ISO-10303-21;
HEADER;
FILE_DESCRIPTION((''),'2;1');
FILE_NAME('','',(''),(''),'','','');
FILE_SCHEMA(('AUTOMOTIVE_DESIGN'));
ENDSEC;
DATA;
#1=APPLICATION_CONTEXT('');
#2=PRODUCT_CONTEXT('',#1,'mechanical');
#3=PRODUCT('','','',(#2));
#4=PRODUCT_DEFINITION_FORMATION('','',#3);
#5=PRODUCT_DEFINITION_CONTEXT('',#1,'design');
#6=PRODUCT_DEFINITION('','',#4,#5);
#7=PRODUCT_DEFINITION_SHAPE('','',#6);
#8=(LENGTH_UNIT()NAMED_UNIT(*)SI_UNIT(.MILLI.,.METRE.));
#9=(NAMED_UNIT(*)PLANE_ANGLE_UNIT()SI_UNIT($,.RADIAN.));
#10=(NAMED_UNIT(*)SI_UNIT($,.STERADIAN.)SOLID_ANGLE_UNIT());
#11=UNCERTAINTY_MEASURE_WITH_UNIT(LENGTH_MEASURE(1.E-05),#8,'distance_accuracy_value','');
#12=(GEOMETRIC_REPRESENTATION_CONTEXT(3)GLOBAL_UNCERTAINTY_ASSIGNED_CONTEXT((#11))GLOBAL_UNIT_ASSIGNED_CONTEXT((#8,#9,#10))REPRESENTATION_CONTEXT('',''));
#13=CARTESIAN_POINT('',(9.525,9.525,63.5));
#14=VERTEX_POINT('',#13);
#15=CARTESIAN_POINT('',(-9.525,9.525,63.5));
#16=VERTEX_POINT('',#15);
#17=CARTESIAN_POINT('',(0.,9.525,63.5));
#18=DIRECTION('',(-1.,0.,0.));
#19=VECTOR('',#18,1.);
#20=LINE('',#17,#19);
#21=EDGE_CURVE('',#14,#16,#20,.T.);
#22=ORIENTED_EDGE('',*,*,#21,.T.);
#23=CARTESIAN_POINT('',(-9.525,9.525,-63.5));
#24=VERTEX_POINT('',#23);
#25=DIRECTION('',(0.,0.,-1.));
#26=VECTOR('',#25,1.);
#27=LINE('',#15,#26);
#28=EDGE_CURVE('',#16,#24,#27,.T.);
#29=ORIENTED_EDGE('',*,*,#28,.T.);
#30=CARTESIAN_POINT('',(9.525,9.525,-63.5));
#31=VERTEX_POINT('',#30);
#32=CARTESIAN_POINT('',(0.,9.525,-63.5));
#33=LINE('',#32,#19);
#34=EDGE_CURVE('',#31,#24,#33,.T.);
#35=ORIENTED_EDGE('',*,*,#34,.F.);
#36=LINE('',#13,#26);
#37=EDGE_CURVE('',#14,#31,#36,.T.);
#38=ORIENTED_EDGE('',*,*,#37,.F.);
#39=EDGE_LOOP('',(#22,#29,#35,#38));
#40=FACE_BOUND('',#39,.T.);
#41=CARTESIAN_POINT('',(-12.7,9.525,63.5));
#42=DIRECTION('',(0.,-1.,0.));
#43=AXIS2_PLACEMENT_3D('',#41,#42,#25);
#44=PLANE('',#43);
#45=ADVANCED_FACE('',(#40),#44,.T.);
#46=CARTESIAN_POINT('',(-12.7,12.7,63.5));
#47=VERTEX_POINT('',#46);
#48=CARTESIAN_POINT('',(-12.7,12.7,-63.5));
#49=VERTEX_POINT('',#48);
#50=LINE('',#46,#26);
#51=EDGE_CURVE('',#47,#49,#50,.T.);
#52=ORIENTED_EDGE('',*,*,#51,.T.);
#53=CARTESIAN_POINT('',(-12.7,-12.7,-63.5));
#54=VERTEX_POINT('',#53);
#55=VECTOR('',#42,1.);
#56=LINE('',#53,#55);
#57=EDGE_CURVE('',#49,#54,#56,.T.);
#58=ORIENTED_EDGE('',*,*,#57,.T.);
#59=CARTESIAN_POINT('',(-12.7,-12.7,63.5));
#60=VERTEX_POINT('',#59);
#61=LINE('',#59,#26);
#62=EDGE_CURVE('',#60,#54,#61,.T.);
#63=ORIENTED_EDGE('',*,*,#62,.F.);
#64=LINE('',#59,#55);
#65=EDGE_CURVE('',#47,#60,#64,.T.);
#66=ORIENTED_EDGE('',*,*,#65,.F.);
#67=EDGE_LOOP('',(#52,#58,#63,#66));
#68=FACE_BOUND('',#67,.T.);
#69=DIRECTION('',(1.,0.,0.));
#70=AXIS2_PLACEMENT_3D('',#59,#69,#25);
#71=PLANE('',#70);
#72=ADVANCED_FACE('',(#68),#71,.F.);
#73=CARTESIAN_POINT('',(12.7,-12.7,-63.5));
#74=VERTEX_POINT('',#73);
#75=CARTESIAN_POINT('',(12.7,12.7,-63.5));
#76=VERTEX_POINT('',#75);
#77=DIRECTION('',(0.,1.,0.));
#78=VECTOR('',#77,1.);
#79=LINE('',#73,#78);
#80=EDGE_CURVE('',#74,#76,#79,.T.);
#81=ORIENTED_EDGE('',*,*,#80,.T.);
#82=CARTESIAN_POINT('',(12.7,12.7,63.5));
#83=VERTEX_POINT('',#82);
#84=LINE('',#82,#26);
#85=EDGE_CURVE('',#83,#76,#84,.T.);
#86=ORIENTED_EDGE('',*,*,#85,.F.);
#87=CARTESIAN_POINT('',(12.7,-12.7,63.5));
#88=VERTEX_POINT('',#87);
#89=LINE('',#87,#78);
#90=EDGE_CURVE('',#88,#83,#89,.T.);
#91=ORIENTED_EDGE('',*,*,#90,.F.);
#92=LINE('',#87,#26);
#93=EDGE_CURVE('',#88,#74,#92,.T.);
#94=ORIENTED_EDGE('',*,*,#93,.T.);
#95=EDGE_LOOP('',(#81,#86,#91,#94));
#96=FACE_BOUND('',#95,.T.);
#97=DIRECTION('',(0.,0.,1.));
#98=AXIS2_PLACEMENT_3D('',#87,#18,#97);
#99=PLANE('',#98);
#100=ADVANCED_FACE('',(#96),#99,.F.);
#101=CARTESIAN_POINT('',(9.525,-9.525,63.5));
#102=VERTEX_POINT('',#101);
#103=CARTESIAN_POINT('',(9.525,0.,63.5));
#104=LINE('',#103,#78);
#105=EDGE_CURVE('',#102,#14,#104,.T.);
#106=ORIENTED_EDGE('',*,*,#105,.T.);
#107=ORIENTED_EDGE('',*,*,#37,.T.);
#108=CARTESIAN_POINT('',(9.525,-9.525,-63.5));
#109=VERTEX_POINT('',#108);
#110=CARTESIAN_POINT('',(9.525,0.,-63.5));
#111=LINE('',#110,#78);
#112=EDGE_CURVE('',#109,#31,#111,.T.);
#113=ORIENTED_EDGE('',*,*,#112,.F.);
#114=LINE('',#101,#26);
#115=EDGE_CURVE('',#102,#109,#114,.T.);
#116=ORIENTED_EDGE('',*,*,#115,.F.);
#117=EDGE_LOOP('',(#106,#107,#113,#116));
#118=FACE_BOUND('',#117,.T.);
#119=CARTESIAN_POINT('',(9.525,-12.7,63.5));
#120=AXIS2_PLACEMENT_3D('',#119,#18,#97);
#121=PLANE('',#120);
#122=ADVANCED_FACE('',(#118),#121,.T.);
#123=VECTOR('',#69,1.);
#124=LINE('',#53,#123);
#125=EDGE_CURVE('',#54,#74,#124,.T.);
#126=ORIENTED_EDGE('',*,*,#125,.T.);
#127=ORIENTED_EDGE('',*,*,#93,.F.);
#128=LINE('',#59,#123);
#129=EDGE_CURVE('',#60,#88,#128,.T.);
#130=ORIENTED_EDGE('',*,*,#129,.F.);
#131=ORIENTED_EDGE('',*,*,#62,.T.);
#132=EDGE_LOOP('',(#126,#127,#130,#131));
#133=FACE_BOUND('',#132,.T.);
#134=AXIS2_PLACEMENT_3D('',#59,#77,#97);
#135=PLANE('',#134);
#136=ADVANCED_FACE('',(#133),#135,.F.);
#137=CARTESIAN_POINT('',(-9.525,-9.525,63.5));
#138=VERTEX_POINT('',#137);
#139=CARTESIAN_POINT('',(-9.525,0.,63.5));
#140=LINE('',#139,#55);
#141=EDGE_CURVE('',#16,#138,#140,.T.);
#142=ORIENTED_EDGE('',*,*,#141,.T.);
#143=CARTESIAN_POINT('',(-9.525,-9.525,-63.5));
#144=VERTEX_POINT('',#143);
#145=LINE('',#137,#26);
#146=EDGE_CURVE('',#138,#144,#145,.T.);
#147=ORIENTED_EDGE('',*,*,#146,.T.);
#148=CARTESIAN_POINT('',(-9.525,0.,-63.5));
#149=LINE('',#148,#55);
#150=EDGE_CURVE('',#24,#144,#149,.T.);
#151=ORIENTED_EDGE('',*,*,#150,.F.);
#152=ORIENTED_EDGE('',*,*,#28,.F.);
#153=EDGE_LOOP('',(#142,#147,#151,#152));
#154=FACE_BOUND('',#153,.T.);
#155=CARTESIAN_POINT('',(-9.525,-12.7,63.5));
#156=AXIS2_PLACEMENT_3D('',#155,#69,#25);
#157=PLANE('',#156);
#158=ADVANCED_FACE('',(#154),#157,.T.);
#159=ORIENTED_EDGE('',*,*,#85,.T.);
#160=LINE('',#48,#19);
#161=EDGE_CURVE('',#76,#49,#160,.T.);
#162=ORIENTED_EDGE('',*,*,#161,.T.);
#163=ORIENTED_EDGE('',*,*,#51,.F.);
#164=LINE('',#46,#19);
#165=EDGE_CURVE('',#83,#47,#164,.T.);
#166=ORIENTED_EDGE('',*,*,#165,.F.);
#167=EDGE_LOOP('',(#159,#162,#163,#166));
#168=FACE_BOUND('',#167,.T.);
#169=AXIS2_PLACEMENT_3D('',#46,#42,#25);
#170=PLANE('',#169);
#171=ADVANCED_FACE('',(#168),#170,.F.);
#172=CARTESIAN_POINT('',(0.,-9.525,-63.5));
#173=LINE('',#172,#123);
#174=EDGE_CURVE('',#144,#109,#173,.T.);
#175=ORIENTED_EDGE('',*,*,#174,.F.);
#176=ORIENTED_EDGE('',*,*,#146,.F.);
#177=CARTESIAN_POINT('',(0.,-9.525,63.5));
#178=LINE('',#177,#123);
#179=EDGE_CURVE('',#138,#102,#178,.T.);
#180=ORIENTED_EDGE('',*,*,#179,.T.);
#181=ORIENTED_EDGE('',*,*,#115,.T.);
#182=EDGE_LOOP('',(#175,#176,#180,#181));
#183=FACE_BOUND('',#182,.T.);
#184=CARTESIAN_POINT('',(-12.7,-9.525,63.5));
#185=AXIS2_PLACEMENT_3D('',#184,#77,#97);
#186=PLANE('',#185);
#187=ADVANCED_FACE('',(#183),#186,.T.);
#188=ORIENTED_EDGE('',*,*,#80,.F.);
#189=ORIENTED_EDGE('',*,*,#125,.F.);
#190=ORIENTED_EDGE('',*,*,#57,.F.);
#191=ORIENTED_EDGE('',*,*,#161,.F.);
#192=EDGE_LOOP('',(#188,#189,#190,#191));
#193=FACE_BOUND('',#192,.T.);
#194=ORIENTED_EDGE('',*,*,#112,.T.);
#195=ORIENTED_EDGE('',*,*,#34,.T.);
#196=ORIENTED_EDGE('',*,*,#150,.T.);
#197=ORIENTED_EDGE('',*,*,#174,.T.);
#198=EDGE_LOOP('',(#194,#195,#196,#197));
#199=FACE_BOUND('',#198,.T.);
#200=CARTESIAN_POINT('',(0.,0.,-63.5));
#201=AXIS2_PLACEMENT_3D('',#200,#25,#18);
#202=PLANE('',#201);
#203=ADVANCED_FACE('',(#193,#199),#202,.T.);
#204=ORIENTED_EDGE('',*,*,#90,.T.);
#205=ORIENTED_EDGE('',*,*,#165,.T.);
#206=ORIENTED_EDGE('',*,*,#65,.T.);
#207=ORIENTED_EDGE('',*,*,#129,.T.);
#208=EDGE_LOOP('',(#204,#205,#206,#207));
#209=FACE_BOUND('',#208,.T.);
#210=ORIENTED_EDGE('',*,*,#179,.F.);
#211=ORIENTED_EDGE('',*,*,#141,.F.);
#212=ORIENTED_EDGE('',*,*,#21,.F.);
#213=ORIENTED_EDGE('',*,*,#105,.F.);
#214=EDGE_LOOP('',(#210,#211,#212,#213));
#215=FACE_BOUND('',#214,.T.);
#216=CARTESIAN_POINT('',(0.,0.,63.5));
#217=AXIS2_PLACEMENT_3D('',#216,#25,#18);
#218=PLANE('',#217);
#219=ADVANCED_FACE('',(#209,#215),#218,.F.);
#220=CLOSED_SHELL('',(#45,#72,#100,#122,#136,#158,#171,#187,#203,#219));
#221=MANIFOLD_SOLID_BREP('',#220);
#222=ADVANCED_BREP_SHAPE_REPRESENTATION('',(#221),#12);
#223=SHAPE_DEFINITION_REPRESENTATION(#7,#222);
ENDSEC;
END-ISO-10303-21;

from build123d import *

# Parameters (mm, degrees)
SKETCH1_W           = 25.4
SKETCH1_H           = 25.4
BOSS_EXTRUDE1_DEPTH = 63.5
SHELL1_T            = -3.175


with BuildPart() as part:
    # Sketch1 → Boss-Extrude1 (new body, symmetric)
    with BuildSketch(Plane.XY):
        Rectangle(SKETCH1_W, SKETCH1_H)
    extrude(amount=BOSS_EXTRUDE1_DEPTH, both=True)

    # Shell1
    shell1_openings = [part.faces().sort_by_distance(p)[0] for p in [
        (0, 0, 63.5),
        (0, 0, -63.5),
    ]]
    offset(amount=SHELL1_T, openings=shell1_openings, kind=Kind.INTERSECTION)


solid = part.part
